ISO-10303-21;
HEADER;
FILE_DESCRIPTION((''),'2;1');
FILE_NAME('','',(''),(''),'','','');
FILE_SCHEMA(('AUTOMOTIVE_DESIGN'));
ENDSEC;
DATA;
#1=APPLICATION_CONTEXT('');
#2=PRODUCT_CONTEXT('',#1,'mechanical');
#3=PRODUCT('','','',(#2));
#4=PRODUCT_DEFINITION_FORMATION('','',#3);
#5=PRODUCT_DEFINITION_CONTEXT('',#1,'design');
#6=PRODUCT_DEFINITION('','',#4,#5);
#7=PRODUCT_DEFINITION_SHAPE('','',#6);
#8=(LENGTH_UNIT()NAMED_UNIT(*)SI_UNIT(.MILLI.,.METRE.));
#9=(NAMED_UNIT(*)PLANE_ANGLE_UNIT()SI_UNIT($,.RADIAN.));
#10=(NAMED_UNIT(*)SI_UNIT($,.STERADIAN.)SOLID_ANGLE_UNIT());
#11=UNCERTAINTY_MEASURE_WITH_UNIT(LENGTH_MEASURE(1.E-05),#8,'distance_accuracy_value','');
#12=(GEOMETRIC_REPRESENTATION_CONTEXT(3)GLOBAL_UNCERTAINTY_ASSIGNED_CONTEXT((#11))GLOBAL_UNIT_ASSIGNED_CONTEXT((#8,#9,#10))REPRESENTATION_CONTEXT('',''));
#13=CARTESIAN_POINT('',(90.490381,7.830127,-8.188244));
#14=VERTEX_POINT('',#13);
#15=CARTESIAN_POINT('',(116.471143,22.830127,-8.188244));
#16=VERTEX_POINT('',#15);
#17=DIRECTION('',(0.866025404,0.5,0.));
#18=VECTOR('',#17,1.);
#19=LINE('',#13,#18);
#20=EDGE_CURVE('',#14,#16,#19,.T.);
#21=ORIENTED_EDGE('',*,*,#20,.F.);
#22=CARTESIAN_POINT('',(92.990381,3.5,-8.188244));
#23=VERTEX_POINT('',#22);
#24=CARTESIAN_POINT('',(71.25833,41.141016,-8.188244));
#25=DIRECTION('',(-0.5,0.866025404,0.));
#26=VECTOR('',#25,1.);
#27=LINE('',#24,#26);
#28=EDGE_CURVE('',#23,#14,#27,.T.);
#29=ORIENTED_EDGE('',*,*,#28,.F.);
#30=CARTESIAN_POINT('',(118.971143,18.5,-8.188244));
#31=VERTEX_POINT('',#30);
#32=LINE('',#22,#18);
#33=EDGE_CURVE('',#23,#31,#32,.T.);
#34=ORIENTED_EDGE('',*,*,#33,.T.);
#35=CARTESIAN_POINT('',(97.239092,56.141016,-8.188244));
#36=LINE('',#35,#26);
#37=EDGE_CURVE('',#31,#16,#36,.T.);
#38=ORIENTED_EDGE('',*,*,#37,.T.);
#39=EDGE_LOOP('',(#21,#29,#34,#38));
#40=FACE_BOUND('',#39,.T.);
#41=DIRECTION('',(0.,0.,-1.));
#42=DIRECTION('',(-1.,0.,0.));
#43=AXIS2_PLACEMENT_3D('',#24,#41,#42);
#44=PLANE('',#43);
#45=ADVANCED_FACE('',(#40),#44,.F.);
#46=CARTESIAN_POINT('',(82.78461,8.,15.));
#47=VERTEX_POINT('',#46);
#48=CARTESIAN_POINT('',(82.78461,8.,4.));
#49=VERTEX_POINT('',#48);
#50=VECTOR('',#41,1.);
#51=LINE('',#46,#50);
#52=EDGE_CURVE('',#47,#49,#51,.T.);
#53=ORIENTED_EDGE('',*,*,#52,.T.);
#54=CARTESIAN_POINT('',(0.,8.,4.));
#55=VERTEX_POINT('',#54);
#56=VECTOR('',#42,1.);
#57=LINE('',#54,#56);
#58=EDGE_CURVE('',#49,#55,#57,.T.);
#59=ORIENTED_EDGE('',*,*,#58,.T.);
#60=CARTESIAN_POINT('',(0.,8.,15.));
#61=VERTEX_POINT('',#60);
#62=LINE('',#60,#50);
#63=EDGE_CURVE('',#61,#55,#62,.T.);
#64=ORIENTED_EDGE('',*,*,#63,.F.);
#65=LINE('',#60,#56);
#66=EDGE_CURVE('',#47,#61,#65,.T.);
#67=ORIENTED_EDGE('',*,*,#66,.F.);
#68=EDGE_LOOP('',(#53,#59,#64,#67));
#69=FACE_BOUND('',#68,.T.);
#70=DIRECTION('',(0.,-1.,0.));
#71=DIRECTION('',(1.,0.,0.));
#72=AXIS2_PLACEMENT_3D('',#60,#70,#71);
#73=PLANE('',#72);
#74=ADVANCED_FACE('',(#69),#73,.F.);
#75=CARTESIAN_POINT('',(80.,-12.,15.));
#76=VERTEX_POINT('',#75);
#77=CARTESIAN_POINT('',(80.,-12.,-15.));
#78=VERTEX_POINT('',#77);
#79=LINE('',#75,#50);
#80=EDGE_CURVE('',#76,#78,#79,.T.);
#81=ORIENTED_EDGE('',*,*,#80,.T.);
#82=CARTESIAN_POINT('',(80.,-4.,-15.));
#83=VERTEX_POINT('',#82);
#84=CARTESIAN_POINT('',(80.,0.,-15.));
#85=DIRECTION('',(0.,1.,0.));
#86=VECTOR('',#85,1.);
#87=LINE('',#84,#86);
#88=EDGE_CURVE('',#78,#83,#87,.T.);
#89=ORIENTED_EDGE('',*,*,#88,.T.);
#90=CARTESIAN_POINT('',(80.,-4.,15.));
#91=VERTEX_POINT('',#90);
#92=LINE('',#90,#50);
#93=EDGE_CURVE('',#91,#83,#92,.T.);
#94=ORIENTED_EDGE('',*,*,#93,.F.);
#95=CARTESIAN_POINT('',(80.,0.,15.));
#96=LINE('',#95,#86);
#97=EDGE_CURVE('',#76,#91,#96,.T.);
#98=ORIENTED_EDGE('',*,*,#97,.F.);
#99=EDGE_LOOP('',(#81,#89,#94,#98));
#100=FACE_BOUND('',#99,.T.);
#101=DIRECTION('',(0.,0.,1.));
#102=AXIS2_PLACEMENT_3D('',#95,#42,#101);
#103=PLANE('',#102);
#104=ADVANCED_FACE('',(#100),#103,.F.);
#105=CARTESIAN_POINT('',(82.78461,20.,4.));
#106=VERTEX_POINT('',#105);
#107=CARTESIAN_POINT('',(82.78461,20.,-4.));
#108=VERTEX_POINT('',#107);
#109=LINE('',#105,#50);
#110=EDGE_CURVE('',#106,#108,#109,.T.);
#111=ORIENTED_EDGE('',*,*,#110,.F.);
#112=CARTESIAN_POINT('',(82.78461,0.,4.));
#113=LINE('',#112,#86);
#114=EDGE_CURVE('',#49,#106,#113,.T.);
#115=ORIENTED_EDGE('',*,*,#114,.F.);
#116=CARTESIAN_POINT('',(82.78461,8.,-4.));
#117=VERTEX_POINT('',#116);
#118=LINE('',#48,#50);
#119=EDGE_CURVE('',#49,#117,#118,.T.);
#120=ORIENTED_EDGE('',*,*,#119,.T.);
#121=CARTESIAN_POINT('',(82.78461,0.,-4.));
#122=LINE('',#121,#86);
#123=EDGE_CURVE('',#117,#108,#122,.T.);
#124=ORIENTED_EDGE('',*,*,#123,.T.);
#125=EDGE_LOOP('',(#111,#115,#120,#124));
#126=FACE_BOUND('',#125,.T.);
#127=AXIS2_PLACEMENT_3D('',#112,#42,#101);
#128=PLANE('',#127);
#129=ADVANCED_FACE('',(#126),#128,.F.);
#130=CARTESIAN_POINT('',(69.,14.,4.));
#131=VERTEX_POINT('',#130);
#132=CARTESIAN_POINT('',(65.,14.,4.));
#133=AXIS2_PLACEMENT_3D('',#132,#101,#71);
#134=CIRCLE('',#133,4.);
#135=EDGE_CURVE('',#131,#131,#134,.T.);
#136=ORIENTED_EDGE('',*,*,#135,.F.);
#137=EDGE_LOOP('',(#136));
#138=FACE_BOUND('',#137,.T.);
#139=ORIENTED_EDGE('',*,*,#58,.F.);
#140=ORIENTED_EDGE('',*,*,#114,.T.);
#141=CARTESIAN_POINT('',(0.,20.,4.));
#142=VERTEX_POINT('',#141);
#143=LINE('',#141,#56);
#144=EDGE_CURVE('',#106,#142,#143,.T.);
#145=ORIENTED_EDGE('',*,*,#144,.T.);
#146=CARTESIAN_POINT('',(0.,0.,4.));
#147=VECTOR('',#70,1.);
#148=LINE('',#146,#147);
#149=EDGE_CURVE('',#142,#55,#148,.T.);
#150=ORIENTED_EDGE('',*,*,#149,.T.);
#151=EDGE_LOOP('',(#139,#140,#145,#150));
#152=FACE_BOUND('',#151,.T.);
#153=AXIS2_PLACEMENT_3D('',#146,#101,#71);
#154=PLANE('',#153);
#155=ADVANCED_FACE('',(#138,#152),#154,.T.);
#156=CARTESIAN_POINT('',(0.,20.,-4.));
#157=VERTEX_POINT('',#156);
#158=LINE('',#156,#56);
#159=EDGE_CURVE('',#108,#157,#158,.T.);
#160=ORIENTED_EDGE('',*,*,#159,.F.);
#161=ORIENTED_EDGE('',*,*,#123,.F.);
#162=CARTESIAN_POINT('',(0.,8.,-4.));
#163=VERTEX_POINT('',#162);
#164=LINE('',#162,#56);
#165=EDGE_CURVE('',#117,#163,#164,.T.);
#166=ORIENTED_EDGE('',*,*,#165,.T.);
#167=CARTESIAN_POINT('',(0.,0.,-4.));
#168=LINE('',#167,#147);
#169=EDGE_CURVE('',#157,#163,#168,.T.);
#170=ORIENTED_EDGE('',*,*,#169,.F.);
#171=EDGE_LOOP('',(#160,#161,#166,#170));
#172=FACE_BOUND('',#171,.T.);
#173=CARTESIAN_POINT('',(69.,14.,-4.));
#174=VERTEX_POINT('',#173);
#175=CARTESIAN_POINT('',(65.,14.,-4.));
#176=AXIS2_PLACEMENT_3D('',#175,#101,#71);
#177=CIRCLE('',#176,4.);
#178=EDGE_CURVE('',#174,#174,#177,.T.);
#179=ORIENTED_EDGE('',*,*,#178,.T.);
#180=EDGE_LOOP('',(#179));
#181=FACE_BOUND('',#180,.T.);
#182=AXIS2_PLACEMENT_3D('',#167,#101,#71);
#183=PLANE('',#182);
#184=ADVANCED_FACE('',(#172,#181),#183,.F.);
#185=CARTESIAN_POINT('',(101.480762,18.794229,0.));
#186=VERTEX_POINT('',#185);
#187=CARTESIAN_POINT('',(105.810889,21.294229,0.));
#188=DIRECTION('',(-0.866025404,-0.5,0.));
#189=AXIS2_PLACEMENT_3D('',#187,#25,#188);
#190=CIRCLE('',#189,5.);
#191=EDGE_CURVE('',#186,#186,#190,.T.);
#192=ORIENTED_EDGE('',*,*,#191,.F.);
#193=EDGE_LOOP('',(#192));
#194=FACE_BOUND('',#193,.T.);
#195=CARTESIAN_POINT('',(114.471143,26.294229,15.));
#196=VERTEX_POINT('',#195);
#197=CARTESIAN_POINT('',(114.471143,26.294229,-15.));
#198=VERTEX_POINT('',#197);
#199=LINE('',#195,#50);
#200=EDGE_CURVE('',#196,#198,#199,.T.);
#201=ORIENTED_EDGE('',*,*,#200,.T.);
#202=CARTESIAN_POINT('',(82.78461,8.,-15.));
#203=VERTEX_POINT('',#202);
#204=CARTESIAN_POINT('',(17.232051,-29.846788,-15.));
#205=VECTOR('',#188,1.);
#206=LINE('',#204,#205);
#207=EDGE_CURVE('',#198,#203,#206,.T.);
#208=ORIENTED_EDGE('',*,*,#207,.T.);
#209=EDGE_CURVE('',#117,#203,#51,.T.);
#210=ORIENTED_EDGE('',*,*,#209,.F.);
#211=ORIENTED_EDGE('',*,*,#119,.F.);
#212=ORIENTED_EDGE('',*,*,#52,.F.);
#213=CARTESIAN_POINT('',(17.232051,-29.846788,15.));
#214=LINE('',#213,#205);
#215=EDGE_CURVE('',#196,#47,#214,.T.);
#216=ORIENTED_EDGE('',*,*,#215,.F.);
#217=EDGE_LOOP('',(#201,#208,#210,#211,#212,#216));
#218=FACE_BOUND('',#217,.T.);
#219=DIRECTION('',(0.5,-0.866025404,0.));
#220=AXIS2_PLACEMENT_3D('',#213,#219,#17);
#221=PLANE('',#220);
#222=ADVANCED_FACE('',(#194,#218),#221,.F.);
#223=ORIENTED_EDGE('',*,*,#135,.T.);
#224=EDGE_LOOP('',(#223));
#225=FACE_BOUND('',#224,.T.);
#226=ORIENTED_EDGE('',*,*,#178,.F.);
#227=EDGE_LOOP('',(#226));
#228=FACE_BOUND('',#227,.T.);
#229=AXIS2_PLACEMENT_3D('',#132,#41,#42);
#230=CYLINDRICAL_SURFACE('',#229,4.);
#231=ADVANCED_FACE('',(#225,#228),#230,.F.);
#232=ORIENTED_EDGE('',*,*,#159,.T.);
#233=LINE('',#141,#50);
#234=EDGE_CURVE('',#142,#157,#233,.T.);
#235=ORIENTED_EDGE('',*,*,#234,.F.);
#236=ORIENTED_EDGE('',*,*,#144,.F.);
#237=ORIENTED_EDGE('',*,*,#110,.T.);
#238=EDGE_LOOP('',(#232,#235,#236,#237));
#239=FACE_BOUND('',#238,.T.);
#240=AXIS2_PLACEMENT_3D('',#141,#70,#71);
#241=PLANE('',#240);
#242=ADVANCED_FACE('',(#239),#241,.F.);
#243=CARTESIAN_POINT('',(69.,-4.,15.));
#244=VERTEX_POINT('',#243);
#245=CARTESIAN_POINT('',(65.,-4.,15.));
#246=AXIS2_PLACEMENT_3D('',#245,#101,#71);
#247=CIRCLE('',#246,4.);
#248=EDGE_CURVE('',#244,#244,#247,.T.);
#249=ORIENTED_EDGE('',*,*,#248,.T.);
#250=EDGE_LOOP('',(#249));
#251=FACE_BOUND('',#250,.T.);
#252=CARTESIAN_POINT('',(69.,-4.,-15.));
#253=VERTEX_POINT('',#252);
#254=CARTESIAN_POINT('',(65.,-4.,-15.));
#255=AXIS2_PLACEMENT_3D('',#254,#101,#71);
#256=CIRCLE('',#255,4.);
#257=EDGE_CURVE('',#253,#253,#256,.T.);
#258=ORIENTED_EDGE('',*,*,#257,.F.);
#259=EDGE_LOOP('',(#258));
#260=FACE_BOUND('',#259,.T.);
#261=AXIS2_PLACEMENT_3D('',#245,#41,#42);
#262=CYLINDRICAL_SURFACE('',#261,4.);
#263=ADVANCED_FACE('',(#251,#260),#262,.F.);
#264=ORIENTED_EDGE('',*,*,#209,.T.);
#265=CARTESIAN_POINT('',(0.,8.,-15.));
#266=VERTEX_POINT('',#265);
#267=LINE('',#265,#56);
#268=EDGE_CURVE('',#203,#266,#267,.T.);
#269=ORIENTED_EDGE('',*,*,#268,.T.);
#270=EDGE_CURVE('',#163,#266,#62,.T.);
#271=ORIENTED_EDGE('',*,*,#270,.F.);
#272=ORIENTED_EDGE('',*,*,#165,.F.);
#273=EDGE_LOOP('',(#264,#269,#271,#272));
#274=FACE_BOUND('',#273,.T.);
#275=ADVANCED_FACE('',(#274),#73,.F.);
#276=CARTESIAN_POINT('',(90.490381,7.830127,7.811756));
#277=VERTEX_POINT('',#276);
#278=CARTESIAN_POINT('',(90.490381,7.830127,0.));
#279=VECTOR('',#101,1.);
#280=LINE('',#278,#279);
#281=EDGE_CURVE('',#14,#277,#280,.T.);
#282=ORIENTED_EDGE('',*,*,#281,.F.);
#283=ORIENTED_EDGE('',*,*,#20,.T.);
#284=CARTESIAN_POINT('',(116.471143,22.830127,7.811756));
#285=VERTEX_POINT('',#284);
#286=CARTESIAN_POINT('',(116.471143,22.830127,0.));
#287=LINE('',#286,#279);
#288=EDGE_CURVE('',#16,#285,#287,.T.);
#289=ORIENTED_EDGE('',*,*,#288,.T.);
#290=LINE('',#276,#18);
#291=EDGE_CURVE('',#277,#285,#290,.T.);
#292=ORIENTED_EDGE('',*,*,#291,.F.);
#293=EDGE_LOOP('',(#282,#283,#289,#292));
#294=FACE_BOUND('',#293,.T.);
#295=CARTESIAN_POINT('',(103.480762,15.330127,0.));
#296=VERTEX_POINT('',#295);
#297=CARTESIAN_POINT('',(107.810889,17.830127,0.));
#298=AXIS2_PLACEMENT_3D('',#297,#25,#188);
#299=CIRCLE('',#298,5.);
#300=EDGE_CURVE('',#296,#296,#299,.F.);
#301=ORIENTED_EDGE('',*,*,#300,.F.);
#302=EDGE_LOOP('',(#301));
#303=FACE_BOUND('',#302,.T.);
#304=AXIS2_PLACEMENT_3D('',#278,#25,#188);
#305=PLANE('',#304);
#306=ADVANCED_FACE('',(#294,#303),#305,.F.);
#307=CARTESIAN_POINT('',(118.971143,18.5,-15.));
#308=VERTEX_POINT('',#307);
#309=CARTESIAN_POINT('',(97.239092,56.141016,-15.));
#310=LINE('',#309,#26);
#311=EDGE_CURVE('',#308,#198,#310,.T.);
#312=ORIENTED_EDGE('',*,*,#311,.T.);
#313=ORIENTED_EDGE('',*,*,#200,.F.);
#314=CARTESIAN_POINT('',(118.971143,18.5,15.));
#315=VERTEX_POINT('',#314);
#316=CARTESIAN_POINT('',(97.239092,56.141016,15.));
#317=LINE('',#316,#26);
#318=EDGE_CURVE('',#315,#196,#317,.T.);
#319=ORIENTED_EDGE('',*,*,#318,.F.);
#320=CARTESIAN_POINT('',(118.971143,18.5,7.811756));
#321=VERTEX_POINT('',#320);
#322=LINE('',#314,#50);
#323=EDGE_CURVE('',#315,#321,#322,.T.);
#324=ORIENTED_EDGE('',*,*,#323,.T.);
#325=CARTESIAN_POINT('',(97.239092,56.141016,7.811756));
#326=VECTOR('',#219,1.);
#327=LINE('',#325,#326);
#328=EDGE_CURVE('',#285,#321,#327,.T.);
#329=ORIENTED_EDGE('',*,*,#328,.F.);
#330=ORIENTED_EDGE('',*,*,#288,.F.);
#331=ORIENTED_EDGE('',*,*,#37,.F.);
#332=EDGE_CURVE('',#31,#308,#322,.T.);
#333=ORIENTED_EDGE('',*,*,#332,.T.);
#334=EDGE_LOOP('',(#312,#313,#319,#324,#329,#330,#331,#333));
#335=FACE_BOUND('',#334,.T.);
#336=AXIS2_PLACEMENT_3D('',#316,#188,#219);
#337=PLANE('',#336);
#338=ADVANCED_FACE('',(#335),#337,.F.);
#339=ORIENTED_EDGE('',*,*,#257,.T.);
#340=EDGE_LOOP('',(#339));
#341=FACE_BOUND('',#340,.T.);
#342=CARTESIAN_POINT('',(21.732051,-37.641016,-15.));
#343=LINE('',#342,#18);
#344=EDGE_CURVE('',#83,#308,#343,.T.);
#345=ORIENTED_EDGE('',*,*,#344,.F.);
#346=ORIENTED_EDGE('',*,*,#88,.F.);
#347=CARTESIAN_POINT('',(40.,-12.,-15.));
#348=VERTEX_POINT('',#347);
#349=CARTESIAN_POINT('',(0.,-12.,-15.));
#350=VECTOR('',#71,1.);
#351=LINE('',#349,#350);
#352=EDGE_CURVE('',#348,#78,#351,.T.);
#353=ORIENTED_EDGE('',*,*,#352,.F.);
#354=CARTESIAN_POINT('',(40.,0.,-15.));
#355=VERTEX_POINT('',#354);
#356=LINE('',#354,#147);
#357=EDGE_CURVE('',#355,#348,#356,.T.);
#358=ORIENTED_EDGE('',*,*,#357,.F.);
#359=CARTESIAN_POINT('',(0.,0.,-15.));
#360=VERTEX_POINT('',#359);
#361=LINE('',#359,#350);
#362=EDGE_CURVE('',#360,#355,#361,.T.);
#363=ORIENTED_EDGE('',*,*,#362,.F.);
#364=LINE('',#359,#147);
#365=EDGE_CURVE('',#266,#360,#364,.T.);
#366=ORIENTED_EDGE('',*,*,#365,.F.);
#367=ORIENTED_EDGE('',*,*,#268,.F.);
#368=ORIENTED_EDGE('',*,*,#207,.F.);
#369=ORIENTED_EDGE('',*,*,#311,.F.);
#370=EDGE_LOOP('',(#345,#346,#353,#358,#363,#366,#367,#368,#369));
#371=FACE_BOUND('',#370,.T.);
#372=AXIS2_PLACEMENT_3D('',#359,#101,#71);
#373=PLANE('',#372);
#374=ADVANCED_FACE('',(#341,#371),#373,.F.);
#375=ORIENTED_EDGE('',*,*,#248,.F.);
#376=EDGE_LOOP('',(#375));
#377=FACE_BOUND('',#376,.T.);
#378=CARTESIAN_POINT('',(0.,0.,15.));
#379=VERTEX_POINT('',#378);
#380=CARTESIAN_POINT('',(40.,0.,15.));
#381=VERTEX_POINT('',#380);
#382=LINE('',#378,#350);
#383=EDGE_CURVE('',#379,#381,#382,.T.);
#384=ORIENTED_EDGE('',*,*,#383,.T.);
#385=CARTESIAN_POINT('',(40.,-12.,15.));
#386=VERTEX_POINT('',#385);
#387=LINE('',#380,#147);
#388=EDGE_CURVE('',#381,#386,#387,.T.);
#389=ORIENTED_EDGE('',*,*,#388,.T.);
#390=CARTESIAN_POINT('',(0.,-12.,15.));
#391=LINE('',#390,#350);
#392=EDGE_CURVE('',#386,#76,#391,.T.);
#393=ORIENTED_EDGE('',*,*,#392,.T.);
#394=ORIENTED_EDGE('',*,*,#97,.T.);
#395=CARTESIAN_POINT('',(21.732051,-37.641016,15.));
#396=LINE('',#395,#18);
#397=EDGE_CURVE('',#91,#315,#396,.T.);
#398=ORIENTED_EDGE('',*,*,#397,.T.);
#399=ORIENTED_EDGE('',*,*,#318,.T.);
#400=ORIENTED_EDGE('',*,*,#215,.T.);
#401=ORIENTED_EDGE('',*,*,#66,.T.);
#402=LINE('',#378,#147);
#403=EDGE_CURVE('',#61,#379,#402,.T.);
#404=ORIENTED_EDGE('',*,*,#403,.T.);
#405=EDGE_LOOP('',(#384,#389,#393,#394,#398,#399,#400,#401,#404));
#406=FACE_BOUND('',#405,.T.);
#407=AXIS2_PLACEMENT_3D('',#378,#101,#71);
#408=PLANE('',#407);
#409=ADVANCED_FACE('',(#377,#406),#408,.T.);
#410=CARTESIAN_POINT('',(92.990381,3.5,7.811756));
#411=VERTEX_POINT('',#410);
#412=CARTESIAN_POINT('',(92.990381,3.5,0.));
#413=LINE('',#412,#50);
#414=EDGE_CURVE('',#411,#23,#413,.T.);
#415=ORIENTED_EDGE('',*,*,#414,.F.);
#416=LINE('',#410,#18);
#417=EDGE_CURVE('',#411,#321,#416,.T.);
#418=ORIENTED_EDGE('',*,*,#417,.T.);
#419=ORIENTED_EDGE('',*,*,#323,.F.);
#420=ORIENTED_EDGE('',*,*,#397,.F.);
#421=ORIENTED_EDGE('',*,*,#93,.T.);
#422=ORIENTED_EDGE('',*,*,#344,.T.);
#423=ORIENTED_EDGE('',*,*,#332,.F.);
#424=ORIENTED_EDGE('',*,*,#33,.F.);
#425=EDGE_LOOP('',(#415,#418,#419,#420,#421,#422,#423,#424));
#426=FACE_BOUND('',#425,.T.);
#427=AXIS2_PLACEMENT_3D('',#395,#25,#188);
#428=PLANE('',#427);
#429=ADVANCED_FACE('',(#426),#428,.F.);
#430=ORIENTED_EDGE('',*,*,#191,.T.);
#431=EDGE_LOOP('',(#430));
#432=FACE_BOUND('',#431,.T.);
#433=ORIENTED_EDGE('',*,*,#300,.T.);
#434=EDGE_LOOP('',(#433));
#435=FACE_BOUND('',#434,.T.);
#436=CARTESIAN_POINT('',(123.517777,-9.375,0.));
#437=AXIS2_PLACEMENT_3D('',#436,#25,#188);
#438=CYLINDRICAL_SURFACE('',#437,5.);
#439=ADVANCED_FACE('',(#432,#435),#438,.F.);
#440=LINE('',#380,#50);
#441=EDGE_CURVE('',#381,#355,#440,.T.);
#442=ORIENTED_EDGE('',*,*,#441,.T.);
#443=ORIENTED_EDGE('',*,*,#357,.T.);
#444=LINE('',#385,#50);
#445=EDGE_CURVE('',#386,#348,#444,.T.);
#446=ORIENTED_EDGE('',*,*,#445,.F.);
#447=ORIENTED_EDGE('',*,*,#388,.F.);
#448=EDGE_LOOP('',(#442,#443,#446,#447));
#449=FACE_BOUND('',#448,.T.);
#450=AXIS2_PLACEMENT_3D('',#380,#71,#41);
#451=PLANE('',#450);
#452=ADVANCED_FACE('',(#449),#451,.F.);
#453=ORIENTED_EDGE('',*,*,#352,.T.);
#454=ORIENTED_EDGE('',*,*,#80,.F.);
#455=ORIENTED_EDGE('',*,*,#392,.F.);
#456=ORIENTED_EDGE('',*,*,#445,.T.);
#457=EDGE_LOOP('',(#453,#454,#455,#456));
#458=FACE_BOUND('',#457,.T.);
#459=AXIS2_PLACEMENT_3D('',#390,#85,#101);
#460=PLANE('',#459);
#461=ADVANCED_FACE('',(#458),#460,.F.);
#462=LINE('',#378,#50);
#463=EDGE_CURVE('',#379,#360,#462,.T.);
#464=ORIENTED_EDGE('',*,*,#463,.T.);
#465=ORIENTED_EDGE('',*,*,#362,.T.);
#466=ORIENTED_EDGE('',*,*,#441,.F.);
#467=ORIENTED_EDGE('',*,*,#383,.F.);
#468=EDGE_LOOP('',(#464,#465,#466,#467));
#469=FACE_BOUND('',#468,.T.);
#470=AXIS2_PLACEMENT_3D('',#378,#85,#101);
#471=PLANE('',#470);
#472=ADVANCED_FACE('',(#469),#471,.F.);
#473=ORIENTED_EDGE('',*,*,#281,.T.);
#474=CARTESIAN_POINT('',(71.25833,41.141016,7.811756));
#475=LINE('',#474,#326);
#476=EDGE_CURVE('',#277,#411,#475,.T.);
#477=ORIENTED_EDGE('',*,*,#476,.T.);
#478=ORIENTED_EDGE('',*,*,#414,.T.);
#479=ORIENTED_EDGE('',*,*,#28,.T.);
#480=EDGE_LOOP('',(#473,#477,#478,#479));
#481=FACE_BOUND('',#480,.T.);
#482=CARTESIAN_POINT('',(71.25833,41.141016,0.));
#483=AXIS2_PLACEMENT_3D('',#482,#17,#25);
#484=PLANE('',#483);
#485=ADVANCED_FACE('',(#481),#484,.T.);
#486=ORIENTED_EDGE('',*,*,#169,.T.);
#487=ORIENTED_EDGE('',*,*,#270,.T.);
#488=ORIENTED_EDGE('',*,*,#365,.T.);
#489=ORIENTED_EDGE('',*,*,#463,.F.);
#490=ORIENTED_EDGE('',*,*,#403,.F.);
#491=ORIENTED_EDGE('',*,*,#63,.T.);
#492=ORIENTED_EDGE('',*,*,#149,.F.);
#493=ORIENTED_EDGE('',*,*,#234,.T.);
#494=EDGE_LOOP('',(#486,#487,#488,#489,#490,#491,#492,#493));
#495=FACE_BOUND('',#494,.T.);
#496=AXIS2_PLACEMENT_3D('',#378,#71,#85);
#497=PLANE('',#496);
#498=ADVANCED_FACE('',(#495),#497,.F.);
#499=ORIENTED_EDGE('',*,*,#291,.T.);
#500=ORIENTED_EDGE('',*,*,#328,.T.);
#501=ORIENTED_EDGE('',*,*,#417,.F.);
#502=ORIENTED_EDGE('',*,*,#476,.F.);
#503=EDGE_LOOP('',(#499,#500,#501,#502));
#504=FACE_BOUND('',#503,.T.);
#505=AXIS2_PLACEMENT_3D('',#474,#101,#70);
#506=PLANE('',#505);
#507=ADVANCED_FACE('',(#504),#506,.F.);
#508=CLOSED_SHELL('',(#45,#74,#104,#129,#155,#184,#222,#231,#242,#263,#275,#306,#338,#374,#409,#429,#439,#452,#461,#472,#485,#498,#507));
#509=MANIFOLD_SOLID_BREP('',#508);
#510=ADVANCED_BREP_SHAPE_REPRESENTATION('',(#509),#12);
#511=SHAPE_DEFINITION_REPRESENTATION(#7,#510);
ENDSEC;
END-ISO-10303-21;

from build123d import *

# Parameters (mm, degrees)
SKETCH_1_R           = 4
EXTRUDE_4_DEPTH      = 15
SKETCH_1_15_W        = 82.784609691
SKETCH_1_15_H        = 12
SKETCH_1_15_R        = 4
EXTRUDE_5_DEPTH      = 4
SKETCH_15_R          = 5
CUT_EXTRUDE_9_DEPTH  = 118.165082722
SKETCH_16_W          = 16
SKETCH_16_H          = 5
CUT_EXTRUDE_10_DEPTH = 30


with BuildPart() as part:
    # 스케치1 → 보스-돌출4 (new, symmetric)
    with BuildSketch(Plane.XY):
        Polygon((0, 8), (0, 0), (40, 0), (40, -12), (80, -12), (80, -4), (118.97114317, 18.5), (114.47114317, 26.294228634), (82.784609691, 8), align=None)
        with Locations((65, -4)):
            Circle(SKETCH_1_R, mode=Mode.SUBTRACT)
    extrude(amount=EXTRUDE_4_DEPTH, both=True)

    # 스케치1<15> → 보스-돌출5 (add, symmetric)
    with BuildSketch(Plane.XY):
        with Locations((41.392304845, 14)):
            Rectangle(SKETCH_1_15_W, SKETCH_1_15_H)
        with Locations((65, 14)):
            Circle(SKETCH_1_15_R, mode=Mode.SUBTRACT)
    extrude(amount=EXTRUDE_5_DEPTH, both=True)

    # 스케치15 → 컷-돌출9 (cut, through all)
    with BuildSketch(Plane(origin=(17.232050808, -29.846787517, 0), x_dir=(0.8660254037844362, 0.5000000000000044, 0), z_dir=(-0.5000000000000044, 0.8660254037844362, 0))):
        with Locations((102.282032303, 0)):
            Circle(SKETCH_15_R)
    extrude(amount=-CUT_EXTRUDE_9_DEPTH, mode=Mode.SUBTRACT)

    # 스케치16 → 컷-돌출10 (cut)
    with BuildSketch(Plane(origin=(97.239092363, 56.141016151, 0), x_dir=(0, 0, -1), z_dir=(0.8660254037844364, 0.5000000000000041, 0))):
        with Locations((0.188244246, -40.964101615)):
            Rectangle(SKETCH_16_W, SKETCH_16_H)
    extrude(amount=-CUT_EXTRUDE_10_DEPTH, mode=Mode.SUBTRACT)


solid = part.part
